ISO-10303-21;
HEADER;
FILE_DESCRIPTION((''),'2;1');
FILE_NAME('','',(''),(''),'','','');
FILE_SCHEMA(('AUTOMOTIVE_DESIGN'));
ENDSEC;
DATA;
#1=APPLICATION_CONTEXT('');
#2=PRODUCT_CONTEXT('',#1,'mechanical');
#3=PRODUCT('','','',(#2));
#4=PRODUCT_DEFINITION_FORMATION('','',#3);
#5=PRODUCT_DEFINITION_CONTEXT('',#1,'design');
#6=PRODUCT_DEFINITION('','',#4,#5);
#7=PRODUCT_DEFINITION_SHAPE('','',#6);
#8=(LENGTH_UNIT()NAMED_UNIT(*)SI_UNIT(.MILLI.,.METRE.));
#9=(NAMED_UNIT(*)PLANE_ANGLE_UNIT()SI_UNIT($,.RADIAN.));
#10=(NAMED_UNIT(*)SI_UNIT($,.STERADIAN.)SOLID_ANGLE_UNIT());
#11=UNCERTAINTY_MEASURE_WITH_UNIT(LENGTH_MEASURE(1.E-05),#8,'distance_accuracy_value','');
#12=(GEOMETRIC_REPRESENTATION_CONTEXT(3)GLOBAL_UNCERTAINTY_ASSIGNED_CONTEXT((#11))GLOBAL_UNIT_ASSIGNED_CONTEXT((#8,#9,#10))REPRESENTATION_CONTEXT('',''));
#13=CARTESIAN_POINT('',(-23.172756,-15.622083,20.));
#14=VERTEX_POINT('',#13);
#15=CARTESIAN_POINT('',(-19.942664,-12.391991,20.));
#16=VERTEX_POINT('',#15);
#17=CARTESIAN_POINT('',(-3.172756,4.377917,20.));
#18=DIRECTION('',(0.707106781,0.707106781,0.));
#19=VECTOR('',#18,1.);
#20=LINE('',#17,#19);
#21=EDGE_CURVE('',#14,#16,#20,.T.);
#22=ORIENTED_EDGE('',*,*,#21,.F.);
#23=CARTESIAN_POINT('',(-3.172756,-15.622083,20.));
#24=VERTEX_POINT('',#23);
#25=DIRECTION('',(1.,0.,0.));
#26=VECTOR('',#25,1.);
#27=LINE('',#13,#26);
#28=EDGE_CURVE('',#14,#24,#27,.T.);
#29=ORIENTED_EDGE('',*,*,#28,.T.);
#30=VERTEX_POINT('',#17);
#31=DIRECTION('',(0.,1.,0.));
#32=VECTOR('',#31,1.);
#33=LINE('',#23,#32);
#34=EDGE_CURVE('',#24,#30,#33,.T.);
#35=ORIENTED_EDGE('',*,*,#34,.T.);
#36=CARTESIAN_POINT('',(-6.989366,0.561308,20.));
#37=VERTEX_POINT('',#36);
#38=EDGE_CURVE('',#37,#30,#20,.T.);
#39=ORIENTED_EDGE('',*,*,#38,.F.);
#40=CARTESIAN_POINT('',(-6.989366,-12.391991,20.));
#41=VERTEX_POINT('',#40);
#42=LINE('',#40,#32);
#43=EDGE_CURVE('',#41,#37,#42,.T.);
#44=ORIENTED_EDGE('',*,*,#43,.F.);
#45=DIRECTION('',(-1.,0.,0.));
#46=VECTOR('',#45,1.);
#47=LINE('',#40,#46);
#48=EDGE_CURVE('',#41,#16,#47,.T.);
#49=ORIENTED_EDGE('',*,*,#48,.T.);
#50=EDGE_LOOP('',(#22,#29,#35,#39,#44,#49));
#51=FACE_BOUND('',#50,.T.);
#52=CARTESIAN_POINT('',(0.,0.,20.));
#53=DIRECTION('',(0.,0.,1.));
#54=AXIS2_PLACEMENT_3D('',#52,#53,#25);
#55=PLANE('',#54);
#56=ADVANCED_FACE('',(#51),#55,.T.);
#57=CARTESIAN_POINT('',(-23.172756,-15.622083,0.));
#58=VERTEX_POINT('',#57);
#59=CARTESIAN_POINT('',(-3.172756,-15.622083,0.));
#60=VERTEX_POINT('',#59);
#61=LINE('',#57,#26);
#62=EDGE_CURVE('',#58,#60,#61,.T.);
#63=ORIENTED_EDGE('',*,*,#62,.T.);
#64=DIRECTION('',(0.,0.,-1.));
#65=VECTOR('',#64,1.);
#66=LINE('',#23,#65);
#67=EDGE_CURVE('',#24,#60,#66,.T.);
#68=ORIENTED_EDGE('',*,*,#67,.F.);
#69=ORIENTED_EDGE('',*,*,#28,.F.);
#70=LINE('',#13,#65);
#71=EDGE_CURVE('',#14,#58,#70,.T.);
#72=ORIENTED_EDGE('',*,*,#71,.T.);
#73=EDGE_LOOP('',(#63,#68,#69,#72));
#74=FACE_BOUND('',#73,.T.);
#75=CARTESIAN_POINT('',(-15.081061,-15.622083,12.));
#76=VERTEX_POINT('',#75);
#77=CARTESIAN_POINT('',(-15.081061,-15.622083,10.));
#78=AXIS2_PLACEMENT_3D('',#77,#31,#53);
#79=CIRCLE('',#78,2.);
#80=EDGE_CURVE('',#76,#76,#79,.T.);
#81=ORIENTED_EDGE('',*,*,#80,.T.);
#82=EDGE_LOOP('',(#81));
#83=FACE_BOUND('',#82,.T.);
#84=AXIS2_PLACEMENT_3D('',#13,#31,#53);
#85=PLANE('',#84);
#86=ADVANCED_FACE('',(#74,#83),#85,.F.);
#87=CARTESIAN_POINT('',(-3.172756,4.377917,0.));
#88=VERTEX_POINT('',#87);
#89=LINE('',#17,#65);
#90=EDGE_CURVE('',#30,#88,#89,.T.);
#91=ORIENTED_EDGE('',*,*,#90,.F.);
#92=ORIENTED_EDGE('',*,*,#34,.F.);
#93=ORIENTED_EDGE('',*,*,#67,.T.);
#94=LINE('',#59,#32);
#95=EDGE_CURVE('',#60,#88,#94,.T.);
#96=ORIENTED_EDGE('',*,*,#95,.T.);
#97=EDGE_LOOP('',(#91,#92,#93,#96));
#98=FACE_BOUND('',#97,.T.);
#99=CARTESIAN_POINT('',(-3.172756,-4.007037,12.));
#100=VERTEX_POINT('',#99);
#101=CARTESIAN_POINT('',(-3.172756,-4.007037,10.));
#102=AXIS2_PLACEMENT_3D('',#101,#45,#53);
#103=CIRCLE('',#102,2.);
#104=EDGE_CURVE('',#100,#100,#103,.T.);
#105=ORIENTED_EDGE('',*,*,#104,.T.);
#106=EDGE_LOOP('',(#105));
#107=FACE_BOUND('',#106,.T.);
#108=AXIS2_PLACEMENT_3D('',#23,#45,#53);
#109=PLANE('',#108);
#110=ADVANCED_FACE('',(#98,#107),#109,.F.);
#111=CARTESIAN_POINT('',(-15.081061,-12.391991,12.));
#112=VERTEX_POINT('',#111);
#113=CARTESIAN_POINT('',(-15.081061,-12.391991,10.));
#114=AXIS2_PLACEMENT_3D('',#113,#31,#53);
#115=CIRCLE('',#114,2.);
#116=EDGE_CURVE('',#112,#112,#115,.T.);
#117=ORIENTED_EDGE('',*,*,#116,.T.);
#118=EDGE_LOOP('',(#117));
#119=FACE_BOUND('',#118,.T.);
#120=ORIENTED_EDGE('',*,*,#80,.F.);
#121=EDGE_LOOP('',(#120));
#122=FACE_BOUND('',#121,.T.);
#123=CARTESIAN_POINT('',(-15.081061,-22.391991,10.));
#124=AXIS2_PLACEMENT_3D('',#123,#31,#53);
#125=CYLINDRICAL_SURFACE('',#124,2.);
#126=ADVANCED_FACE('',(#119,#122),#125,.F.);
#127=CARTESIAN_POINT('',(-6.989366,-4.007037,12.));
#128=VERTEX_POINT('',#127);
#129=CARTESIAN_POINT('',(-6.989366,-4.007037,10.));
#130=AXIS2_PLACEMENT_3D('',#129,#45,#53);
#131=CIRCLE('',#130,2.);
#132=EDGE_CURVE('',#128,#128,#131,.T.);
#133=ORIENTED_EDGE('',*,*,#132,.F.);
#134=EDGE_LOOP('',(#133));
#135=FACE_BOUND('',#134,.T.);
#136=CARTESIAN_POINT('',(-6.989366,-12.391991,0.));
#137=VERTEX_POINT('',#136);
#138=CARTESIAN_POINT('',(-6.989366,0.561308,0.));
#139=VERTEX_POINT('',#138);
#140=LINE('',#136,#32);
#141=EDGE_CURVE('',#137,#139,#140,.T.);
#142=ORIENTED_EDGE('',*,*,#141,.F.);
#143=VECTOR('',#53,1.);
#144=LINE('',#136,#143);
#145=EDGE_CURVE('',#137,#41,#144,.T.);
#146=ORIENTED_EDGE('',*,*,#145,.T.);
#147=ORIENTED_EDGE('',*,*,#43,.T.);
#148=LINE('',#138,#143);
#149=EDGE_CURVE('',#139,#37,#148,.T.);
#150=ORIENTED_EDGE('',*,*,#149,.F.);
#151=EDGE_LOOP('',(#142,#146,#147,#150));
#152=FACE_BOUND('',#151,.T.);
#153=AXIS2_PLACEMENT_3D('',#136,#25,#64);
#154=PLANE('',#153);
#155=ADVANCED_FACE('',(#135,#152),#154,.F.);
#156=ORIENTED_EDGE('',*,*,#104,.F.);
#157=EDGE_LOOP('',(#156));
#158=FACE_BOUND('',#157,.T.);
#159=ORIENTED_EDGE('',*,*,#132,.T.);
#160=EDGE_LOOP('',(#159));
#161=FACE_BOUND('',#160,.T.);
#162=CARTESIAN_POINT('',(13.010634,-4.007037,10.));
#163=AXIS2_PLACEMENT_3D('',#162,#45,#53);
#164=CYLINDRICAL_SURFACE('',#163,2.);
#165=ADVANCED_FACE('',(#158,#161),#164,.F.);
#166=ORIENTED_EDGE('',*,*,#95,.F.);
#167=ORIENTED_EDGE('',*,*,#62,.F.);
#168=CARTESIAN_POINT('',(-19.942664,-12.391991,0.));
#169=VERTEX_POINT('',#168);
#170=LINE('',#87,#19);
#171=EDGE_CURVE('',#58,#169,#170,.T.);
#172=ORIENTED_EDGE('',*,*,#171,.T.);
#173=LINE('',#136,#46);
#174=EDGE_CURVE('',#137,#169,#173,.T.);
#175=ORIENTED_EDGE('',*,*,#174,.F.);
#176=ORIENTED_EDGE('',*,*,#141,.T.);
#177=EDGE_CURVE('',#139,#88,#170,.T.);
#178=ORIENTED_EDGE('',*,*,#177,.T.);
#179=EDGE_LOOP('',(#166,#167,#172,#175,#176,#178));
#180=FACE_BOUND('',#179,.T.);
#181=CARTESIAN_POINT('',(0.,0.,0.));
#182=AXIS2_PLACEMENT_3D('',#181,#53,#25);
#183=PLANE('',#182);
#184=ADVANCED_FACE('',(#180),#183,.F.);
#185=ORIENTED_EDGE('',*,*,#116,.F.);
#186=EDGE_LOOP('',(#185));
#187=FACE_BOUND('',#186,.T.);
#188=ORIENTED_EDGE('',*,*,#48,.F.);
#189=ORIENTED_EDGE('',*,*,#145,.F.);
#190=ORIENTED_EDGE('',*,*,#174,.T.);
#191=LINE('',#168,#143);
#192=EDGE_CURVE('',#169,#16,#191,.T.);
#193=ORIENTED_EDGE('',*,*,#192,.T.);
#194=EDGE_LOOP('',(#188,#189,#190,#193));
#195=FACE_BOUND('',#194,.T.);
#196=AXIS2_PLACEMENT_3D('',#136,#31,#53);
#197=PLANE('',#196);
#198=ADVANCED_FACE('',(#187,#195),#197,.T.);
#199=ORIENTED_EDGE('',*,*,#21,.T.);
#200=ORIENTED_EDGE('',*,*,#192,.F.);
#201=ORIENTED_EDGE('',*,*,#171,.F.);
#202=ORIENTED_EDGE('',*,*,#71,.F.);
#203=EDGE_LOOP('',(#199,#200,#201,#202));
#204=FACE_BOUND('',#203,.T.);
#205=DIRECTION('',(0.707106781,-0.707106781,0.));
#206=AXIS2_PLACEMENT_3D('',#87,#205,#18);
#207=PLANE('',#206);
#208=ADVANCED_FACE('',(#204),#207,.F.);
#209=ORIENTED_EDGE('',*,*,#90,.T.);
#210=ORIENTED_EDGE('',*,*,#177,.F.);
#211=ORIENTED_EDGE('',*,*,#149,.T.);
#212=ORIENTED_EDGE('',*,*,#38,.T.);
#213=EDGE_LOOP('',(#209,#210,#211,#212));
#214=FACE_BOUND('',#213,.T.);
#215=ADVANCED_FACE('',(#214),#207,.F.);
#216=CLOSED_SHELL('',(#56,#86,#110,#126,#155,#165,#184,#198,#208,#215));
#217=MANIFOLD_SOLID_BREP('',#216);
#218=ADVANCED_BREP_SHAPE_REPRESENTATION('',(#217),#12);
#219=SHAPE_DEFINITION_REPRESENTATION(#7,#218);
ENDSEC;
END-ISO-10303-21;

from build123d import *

# Parameters (mm, degrees)
IZIM1_W                     = 20
IZIM1_H                     = 20
Y_KSEKLIK_EKSTR_ZYON1_DEPTH = 20
KES_EKSTR_ZYON1_DEPTH       = 20
IZIM3_W                     = 17.224679165
IZIM3_H                     = 17.248412117
KES_EKSTR_ZYON2_DEPTH       = 20
IZIM4_R                     = 2
KES_EKSTR_ZYON3_DEPTH       = 20
IZIM10_R                    = 2
KES_EKSTR_ZYON10_DEPTH      = 10


with BuildPart() as part:
    # Çizim1 → Yükseklik-Ekstrüzyon1 (new body)
    with BuildSketch(Plane.XY):
        with Locations((-13.172756411, -5.622082974)):
            Rectangle(IZIM1_W, IZIM1_H)
    extrude(amount=Y_KSEKLIK_EKSTR_ZYON1_DEPTH)

    # Çizim2 → Kes-Ekstrüzyon1 (cut)
    with BuildSketch(Plane.XY.offset(20)):
        Polygon((-3.172756411, 4.377917026), (-23.172756411, -15.622082974), (-23.172756411, 4.377917026), align=None)
    extrude(amount=-KES_EKSTR_ZYON1_DEPTH, mode=Mode.SUBTRACT)

    # Çizim3 → Kes-Ekstrüzyon2 (cut)
    with BuildSketch(Plane.XY.offset(20)):
        with Locations((-15.601705124, -3.767784851)):
            Rectangle(IZIM3_W, IZIM3_H)
    extrude(amount=-KES_EKSTR_ZYON2_DEPTH, mode=Mode.SUBTRACT)

    # Çizim4 → Kes-Ekstrüzyon3 (cut)
    with BuildSketch(Plane.ZY.offset(6.989365541)):
        with Locations((10, -4.007036941)):
            Circle(IZIM4_R)
    extrude(amount=-KES_EKSTR_ZYON3_DEPTH, mode=Mode.SUBTRACT)

    # Çizim10 → Kes-Ekstrüzyon10 (cut)
    with BuildSketch(Plane(origin=(0, -12.391990909, 0), x_dir=(1, 0, 0), z_dir=(0, 1, 0))):
        with Locations((-15.081060976, -10)):
            Circle(IZIM10_R)
    extrude(amount=-KES_EKSTR_ZYON10_DEPTH, mode=Mode.SUBTRACT)


solid = part.part
